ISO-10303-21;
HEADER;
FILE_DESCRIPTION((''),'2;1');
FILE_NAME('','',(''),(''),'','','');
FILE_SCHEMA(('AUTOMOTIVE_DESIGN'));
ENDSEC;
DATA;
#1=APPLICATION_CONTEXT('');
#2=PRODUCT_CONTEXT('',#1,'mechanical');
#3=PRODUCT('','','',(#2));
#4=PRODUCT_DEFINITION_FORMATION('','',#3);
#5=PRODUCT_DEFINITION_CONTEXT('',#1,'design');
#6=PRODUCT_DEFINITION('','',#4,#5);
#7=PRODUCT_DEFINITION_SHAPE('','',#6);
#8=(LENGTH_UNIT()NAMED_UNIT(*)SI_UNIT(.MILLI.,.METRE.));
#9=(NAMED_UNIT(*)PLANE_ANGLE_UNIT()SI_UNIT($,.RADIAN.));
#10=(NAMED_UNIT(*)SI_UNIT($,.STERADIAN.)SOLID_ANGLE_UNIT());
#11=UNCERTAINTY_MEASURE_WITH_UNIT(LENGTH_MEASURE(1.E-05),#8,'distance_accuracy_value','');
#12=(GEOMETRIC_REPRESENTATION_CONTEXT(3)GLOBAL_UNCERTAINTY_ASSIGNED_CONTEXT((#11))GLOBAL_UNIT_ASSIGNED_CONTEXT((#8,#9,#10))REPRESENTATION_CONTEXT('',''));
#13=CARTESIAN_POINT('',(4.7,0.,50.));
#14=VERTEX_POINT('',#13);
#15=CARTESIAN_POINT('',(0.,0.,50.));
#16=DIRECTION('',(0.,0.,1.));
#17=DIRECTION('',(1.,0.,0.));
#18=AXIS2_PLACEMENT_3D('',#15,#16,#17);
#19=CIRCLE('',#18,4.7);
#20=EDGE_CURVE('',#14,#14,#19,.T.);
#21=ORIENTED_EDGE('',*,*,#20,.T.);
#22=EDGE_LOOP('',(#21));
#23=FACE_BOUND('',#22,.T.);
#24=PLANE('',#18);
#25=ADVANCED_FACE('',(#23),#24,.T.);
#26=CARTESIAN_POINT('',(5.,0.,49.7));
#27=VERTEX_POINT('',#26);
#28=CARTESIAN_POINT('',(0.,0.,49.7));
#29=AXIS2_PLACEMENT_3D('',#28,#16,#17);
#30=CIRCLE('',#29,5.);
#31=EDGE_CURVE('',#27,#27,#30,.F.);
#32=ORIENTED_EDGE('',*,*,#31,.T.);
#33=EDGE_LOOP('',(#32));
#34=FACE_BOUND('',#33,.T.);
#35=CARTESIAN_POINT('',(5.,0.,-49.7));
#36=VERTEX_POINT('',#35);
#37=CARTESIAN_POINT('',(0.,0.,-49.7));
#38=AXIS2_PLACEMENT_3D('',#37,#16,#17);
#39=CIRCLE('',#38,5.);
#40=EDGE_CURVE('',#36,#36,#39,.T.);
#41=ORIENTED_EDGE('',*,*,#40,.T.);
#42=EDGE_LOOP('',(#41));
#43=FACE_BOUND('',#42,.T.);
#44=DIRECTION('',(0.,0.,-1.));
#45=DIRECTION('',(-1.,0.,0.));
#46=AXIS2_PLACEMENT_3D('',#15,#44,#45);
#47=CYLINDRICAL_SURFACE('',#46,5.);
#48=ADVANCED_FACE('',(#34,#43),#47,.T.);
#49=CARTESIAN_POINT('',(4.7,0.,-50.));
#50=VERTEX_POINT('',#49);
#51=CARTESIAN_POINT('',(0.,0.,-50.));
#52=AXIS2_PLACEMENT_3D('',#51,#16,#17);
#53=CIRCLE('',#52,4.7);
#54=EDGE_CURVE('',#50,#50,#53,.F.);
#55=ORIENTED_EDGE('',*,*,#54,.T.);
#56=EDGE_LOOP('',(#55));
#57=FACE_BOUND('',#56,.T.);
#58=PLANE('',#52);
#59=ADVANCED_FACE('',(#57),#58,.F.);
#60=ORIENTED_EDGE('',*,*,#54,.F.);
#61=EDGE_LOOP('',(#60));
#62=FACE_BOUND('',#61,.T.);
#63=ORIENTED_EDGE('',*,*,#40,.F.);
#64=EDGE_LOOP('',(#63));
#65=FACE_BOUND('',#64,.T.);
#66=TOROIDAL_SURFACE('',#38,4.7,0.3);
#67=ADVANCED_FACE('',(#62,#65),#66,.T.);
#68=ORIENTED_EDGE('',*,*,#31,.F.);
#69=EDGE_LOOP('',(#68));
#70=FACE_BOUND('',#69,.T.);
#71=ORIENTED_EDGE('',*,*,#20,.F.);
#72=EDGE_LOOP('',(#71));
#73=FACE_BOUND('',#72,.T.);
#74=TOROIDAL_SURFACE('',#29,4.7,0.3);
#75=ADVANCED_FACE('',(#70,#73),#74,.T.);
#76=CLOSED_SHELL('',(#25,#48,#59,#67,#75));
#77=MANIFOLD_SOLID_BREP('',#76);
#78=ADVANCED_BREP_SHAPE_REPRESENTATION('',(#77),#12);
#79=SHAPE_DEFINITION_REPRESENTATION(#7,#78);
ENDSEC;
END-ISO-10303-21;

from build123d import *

# Parameters (mm, degrees)
SKETCH1_R           = 5
BOSS_EXTRUDE1_DEPTH = 50
FILLET1_R           = 0.3


with BuildPart() as part:
    # Sketch1 → Boss-Extrude1 (new body, symmetric)
    with BuildSketch(Plane.XY):
        Circle(SKETCH1_R)
    extrude(amount=BOSS_EXTRUDE1_DEPTH, both=True)

    # Fillet1
    fillet1_edges = [part.edges().sort_by_distance(p)[0] for p in [
        (-5, 0, -50),
        (-5, 0, 50),
    ]]
    fillet(fillet1_edges, radius=FILLET1_R)


solid = part.part
